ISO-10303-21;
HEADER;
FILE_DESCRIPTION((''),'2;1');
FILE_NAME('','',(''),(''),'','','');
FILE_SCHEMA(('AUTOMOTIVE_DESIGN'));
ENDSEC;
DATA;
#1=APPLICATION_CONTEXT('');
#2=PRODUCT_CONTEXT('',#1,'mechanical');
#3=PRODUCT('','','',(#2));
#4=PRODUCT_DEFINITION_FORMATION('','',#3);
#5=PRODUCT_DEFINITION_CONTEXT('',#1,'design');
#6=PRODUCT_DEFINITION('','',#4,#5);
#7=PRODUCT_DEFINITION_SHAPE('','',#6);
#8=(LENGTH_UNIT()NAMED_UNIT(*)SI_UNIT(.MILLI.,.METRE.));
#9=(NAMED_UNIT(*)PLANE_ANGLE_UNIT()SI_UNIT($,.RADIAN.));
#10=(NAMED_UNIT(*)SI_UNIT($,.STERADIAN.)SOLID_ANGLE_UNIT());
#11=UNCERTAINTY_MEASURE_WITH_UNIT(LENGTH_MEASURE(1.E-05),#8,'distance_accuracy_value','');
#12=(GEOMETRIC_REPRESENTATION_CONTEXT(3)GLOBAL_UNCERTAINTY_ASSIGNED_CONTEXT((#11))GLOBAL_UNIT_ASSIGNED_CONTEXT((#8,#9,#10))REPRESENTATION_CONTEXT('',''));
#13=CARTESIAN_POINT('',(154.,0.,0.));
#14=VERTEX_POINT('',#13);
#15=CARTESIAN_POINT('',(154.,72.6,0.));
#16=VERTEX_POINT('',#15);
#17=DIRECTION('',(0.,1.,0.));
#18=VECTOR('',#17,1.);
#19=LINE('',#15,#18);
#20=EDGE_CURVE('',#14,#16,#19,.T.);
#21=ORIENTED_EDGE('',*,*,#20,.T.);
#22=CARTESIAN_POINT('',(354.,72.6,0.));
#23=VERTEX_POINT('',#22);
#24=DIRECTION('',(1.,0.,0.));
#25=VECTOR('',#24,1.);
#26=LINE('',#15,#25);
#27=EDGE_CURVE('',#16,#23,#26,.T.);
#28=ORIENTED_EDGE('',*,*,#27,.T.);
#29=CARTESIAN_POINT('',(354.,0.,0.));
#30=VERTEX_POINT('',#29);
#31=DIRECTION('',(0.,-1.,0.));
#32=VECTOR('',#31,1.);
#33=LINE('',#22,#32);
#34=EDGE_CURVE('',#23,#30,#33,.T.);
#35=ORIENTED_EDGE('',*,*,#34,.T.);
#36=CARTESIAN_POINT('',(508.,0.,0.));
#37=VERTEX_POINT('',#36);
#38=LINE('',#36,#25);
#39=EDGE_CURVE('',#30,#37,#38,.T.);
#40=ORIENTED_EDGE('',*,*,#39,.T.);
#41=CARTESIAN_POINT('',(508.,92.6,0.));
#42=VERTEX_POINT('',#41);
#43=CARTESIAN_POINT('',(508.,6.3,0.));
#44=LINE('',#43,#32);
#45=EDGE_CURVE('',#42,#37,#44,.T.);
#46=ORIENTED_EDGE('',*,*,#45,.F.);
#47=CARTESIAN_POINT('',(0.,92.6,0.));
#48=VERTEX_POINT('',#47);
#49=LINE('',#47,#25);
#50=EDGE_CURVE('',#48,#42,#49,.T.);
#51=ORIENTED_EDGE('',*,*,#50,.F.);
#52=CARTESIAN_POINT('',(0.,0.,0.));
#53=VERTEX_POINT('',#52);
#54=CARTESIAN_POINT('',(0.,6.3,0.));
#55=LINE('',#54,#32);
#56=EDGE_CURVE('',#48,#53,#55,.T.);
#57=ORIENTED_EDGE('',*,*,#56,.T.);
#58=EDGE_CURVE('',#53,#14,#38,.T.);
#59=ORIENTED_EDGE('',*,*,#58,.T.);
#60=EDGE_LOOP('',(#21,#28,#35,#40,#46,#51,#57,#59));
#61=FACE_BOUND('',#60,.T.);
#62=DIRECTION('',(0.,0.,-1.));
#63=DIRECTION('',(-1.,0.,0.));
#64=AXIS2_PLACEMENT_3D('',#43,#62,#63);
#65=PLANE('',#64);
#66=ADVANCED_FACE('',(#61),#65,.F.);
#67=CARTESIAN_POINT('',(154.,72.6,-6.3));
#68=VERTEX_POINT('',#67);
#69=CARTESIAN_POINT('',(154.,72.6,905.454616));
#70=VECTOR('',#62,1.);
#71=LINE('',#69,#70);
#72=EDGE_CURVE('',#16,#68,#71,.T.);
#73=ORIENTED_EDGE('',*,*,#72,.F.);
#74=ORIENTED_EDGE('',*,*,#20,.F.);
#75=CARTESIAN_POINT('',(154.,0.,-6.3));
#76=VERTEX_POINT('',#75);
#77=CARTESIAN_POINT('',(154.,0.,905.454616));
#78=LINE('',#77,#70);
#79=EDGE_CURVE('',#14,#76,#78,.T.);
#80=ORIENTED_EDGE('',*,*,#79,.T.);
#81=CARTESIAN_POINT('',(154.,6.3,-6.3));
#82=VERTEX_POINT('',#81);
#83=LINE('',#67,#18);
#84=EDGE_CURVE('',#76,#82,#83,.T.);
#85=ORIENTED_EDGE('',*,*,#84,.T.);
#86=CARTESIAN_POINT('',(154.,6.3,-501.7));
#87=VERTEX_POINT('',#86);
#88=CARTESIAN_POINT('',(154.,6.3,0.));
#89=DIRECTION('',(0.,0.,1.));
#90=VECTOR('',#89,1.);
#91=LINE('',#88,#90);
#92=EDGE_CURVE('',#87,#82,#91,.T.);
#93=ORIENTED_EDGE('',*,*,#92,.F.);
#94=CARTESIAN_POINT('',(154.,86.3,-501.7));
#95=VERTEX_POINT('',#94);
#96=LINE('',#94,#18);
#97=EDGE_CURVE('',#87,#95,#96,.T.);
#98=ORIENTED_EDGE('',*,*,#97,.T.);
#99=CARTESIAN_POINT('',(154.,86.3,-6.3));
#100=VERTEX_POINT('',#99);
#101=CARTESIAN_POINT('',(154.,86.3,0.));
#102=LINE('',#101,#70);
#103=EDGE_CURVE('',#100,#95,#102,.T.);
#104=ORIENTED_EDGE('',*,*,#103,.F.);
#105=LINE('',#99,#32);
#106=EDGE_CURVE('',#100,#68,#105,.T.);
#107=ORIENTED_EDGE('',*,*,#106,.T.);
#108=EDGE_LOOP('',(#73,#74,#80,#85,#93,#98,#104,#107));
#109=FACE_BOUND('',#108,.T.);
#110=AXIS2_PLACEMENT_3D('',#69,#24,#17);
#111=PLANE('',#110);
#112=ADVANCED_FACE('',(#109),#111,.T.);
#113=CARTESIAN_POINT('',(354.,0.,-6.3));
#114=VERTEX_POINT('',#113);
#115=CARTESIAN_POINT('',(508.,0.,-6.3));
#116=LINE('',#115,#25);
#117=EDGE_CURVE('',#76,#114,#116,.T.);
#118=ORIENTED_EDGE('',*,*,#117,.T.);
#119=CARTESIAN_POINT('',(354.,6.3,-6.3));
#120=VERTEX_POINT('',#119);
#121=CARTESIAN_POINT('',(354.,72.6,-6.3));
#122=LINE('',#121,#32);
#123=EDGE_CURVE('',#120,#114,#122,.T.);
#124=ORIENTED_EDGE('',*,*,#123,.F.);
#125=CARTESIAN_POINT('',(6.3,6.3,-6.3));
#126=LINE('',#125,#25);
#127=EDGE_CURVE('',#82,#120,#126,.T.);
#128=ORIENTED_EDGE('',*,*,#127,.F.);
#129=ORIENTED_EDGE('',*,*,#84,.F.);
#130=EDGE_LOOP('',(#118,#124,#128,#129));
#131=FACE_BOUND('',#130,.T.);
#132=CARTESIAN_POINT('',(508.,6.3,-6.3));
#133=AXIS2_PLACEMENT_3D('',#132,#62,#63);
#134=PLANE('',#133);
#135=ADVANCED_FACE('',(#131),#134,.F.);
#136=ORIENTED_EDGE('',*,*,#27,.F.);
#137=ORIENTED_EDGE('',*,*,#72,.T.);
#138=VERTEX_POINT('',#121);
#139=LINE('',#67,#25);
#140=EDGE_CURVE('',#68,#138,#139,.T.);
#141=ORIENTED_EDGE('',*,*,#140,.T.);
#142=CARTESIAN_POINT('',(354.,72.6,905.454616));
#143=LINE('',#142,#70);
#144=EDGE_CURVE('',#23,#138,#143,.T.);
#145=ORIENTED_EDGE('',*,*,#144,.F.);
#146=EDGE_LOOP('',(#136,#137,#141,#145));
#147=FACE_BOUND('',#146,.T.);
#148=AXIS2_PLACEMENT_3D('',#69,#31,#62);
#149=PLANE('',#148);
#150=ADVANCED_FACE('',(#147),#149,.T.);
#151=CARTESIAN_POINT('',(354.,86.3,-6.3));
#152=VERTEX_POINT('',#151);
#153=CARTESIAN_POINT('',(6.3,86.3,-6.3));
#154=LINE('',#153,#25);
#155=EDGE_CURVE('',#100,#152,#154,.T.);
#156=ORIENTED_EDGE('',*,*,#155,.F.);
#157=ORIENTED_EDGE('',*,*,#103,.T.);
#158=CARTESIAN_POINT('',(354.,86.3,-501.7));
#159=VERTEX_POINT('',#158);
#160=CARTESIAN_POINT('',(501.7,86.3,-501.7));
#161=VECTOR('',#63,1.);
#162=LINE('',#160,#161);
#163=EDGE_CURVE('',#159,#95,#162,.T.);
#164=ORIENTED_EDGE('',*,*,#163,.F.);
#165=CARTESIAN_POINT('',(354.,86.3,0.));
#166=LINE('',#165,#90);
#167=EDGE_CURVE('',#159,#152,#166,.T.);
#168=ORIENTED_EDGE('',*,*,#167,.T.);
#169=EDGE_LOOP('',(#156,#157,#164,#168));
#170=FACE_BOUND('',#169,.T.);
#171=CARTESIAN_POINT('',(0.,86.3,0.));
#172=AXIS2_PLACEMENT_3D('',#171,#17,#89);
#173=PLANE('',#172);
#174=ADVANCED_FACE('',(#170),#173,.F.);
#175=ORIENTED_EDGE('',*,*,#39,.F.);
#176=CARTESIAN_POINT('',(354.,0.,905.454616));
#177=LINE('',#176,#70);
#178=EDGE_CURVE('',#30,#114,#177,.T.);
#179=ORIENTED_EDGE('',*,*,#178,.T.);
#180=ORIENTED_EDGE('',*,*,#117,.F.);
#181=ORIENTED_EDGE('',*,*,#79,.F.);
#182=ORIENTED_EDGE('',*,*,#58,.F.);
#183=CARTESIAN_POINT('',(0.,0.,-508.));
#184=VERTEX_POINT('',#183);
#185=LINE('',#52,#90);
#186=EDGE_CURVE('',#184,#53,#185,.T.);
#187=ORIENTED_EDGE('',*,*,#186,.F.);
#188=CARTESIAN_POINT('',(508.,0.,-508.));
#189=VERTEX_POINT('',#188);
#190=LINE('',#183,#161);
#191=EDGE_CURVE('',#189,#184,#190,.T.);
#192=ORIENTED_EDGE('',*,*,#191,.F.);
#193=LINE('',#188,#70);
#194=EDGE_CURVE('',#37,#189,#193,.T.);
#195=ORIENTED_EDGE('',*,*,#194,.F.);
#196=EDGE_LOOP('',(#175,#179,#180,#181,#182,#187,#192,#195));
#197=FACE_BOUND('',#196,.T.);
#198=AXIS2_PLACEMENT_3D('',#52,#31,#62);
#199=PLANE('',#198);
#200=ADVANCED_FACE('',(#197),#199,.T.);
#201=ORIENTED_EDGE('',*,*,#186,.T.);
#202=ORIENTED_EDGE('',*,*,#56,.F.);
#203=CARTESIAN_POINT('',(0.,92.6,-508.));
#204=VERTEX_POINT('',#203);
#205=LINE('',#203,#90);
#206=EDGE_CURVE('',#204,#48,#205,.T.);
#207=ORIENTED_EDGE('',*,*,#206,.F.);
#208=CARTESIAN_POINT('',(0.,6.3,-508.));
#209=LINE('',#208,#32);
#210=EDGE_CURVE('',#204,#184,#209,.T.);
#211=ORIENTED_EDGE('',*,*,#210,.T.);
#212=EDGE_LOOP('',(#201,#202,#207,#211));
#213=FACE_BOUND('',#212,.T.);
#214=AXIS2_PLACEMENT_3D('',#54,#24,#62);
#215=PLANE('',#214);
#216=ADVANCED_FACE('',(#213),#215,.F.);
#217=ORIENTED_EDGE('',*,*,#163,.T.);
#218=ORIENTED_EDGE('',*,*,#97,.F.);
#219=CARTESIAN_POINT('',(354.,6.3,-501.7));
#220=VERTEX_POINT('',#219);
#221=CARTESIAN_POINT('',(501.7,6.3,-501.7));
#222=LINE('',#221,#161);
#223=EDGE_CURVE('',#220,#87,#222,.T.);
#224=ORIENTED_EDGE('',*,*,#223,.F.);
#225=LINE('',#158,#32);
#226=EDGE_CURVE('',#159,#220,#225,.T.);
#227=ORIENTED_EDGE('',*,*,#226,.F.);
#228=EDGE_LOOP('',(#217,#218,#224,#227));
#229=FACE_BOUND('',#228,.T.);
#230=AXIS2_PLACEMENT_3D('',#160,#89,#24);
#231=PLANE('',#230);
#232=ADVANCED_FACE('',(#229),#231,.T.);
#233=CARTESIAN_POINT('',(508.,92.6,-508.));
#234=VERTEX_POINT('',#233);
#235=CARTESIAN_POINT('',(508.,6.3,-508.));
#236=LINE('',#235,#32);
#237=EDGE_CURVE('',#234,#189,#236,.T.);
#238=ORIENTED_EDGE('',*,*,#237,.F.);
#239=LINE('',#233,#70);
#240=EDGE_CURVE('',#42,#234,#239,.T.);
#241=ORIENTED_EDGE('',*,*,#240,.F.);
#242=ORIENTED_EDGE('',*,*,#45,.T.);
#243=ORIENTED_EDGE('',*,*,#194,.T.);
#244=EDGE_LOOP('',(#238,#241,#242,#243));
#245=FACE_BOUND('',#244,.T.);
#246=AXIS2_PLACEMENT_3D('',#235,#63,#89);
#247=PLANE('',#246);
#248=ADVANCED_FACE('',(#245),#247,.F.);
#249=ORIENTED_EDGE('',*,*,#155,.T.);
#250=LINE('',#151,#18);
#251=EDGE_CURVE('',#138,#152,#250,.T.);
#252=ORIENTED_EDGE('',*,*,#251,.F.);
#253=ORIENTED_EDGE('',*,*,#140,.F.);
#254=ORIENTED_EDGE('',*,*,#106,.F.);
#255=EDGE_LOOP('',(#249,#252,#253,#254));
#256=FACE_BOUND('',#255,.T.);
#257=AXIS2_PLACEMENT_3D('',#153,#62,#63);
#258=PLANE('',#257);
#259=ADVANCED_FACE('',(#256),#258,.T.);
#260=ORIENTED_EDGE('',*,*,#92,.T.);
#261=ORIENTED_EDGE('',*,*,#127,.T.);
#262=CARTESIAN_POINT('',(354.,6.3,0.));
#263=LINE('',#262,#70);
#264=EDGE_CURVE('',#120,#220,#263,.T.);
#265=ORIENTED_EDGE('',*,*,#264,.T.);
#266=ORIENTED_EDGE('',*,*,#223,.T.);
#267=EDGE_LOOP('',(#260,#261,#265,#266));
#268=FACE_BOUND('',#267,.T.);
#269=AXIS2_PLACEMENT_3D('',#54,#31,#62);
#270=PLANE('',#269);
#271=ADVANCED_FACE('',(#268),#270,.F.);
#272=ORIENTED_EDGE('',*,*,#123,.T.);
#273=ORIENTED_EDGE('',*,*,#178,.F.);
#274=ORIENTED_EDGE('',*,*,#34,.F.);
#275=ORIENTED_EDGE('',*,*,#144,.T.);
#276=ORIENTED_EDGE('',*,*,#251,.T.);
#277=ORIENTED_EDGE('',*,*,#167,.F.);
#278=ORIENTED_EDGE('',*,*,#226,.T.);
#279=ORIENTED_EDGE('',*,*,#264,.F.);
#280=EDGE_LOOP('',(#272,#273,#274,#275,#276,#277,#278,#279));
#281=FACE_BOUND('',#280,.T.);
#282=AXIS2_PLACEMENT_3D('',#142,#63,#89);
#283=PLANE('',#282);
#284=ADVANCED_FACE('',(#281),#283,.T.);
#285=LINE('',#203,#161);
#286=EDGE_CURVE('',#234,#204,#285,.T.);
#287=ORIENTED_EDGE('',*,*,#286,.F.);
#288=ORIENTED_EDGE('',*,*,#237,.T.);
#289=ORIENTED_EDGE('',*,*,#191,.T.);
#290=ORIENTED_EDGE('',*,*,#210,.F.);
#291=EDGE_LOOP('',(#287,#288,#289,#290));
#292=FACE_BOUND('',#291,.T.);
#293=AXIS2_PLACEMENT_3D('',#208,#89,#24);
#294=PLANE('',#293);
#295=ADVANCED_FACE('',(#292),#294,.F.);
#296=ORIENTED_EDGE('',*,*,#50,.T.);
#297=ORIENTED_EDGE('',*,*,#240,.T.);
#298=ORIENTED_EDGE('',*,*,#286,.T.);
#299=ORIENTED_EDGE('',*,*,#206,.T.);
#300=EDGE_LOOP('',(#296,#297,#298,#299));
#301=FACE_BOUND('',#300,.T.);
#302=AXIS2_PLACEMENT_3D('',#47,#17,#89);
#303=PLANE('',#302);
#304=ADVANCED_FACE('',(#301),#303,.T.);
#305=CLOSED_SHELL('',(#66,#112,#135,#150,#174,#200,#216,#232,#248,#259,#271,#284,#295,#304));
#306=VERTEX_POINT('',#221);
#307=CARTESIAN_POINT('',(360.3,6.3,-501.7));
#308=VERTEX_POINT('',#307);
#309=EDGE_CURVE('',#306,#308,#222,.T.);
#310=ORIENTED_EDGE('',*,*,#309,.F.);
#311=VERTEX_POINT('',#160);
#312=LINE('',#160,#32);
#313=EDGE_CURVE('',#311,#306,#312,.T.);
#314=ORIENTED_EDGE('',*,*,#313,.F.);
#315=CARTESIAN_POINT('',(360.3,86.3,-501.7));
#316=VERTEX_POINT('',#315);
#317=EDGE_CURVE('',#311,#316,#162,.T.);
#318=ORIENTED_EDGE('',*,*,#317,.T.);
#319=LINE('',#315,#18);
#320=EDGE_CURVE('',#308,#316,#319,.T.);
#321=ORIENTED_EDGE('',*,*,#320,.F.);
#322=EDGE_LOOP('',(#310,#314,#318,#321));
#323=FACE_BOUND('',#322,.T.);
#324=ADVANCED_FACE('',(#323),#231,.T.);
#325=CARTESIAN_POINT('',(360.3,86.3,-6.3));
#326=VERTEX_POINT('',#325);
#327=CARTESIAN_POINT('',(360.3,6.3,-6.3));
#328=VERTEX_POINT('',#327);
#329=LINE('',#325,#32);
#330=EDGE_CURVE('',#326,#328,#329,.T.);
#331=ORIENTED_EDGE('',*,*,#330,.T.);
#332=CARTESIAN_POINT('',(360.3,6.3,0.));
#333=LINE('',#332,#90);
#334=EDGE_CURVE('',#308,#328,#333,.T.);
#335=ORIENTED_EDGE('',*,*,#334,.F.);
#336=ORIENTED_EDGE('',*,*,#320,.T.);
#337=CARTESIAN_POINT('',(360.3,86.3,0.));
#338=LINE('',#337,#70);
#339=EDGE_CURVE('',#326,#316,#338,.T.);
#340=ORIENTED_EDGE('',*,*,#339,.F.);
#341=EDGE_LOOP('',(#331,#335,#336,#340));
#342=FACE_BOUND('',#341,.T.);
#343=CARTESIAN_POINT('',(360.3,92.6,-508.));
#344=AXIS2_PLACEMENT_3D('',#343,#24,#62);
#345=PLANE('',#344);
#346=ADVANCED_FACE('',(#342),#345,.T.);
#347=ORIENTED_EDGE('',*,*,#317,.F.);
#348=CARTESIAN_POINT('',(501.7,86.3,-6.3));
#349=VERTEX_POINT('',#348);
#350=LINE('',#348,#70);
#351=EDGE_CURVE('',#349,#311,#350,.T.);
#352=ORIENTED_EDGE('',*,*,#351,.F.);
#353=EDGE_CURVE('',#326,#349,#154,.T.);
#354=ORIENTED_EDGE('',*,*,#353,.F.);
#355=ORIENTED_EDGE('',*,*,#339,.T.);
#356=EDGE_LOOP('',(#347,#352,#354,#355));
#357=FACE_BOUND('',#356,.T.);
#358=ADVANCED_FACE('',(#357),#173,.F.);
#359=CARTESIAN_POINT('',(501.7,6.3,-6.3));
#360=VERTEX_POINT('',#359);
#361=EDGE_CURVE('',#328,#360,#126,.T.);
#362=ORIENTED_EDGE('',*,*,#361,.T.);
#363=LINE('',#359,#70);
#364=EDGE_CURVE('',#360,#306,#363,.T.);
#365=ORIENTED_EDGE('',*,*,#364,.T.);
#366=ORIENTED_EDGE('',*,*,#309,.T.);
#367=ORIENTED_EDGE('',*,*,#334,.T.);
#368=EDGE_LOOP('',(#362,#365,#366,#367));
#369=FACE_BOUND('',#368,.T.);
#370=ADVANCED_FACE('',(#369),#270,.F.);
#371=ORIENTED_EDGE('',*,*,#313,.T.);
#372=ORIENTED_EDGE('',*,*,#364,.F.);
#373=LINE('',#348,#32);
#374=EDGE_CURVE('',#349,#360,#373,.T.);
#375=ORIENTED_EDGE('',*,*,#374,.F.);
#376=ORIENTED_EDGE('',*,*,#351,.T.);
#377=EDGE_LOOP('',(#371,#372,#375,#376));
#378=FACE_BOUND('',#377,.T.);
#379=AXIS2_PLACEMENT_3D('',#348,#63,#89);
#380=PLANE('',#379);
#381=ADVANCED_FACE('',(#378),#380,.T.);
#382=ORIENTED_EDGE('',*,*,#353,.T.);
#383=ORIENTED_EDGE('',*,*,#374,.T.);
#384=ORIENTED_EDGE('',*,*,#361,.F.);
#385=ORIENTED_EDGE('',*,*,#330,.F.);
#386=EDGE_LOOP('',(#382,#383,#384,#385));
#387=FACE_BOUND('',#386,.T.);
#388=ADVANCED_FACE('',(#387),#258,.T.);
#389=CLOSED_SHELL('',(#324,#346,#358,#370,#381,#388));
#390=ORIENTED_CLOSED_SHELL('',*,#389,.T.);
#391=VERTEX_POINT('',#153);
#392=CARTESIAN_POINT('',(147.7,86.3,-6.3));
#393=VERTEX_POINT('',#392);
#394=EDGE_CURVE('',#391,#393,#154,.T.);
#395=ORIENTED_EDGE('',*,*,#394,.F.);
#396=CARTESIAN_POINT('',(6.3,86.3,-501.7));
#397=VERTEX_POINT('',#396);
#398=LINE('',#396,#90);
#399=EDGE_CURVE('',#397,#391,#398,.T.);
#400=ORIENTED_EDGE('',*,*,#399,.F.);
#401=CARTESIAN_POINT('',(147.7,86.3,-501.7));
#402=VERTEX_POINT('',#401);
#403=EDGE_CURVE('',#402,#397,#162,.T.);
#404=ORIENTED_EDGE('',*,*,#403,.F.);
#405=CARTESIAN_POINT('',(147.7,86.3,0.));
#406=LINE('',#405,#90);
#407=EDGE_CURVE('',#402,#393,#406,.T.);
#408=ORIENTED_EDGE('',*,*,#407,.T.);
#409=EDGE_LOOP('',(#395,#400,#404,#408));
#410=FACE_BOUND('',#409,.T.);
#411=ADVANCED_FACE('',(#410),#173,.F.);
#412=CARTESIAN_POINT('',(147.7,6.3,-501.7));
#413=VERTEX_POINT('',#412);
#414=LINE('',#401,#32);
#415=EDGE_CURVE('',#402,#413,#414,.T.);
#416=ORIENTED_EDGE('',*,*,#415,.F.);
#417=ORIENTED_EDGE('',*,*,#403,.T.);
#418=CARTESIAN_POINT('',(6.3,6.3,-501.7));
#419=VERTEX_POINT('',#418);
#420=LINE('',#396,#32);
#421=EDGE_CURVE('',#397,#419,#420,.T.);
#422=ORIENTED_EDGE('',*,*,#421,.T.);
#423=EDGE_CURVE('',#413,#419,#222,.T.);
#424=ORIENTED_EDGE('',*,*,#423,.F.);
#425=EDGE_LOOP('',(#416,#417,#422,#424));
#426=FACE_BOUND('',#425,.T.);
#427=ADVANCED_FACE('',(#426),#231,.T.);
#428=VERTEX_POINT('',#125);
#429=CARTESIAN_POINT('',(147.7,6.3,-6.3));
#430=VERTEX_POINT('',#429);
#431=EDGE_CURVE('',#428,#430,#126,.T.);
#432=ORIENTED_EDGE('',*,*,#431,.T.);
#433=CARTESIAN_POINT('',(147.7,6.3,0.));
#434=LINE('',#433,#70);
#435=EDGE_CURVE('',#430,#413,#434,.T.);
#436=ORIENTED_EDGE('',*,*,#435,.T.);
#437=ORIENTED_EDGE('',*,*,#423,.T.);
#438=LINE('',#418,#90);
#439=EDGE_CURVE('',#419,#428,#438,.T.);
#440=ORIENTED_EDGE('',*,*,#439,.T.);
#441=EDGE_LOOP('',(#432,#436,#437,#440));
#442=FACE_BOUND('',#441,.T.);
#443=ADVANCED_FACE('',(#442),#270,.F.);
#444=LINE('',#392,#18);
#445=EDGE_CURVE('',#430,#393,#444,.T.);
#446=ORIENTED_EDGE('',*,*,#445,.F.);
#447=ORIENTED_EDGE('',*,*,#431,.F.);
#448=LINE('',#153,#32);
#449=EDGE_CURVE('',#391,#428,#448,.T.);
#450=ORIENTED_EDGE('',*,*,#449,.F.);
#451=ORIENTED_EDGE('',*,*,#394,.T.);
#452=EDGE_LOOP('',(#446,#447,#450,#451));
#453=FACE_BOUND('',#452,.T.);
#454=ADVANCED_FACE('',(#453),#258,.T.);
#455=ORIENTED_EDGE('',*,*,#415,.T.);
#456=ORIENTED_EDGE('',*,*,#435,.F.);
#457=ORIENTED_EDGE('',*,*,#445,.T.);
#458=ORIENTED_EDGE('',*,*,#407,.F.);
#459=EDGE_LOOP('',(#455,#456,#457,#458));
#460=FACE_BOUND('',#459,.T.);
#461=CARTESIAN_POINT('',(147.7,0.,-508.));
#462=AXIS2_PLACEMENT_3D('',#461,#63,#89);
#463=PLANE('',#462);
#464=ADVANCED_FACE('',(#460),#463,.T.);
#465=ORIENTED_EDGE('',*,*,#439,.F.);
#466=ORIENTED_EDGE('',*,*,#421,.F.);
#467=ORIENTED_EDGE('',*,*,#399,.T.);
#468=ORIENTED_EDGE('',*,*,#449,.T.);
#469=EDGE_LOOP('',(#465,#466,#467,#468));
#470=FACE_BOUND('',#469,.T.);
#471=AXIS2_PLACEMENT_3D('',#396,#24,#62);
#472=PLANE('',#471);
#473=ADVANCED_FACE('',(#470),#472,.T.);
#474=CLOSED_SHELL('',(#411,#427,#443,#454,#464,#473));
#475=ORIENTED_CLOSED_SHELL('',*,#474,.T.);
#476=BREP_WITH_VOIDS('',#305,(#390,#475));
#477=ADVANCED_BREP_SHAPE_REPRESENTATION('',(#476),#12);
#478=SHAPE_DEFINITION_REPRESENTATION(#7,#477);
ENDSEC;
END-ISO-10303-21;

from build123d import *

# Parameters (mm, degrees)
SKETCH3_W               = 508
SKETCH3_H               = 508
BOSS_EXTRUDE1_DEPTH     = 6.3
SKETCH4_W               = 508
SKETCH4_H               = 508
SKETCH4_W_2             = 495.4
SKETCH4_H_2             = 495.4
BOSS_EXTRUDE2_DEPTH     = 80
SKETCH5_W               = 508
SKETCH5_H               = 508
BOSS_EXTRUDE3_DEPTH     = 6.3
SKETCH6_W               = 200
SKETCH6_H               = 72.6
CUT_EXTRUDE2_DEPTH      = 1
CUT_EXTRUDE2_DEPTH_BACK = 6.3
SKETCH8_W               = 6.3
SKETCH8_H               = 92.6
BOSS_EXTRUDE4_DEPTH     = 508


with BuildPart() as part:
    # Sketch3 → Boss-Extrude1 (new body)
    with BuildSketch(Plane(origin=(0, 0, 0), x_dir=(1, 0, 0), z_dir=(0, 1, 0))):
        with Locations((254, 254)):
            Rectangle(SKETCH3_W, SKETCH3_H)
    extrude(amount=BOSS_EXTRUDE1_DEPTH)

    # Sketch4 → Boss-Extrude2 (add)
    with BuildSketch(Plane(origin=(0, 6.3, 0), x_dir=(1, 0, 0), z_dir=(0, 1, 0))):
        with Locations((254, 254)):
            Rectangle(SKETCH4_W, SKETCH4_H)
        with Locations((254, 254)):
            Rectangle(SKETCH4_W_2, SKETCH4_H_2, mode=Mode.SUBTRACT)
    extrude(amount=BOSS_EXTRUDE2_DEPTH)

    # Sketch5 → Boss-Extrude3 (add)
    with BuildSketch(Plane(origin=(0, 86.3, 0), x_dir=(1, 0, 0), z_dir=(0, 1, 0))):
        with Locations((254, 254)):
            Rectangle(SKETCH5_W, SKETCH5_H)
    extrude(amount=BOSS_EXTRUDE3_DEPTH)

    # Sketch6 → Cut-Extrude2 (cut, two sides)
    with BuildSketch(Plane.XY) as cut_extrude2_sk:
        with Locations((254, 36.3)):
            Rectangle(SKETCH6_W, SKETCH6_H)
    extrude(amount=CUT_EXTRUDE2_DEPTH, mode=Mode.SUBTRACT)
    extrude(cut_extrude2_sk.sketch, amount=-CUT_EXTRUDE2_DEPTH_BACK, mode=Mode.SUBTRACT)

    # Sketch8 → Boss-Extrude4 (add)
    with BuildSketch(Plane.XY):
        with Locations((150.85, 46.3)):
            Rectangle(SKETCH8_W, SKETCH8_H)
        with Locations((357.15, 46.3)):
            Rectangle(SKETCH8_W, SKETCH8_H)
    extrude(amount=-BOSS_EXTRUDE4_DEPTH)


solid = part.part
